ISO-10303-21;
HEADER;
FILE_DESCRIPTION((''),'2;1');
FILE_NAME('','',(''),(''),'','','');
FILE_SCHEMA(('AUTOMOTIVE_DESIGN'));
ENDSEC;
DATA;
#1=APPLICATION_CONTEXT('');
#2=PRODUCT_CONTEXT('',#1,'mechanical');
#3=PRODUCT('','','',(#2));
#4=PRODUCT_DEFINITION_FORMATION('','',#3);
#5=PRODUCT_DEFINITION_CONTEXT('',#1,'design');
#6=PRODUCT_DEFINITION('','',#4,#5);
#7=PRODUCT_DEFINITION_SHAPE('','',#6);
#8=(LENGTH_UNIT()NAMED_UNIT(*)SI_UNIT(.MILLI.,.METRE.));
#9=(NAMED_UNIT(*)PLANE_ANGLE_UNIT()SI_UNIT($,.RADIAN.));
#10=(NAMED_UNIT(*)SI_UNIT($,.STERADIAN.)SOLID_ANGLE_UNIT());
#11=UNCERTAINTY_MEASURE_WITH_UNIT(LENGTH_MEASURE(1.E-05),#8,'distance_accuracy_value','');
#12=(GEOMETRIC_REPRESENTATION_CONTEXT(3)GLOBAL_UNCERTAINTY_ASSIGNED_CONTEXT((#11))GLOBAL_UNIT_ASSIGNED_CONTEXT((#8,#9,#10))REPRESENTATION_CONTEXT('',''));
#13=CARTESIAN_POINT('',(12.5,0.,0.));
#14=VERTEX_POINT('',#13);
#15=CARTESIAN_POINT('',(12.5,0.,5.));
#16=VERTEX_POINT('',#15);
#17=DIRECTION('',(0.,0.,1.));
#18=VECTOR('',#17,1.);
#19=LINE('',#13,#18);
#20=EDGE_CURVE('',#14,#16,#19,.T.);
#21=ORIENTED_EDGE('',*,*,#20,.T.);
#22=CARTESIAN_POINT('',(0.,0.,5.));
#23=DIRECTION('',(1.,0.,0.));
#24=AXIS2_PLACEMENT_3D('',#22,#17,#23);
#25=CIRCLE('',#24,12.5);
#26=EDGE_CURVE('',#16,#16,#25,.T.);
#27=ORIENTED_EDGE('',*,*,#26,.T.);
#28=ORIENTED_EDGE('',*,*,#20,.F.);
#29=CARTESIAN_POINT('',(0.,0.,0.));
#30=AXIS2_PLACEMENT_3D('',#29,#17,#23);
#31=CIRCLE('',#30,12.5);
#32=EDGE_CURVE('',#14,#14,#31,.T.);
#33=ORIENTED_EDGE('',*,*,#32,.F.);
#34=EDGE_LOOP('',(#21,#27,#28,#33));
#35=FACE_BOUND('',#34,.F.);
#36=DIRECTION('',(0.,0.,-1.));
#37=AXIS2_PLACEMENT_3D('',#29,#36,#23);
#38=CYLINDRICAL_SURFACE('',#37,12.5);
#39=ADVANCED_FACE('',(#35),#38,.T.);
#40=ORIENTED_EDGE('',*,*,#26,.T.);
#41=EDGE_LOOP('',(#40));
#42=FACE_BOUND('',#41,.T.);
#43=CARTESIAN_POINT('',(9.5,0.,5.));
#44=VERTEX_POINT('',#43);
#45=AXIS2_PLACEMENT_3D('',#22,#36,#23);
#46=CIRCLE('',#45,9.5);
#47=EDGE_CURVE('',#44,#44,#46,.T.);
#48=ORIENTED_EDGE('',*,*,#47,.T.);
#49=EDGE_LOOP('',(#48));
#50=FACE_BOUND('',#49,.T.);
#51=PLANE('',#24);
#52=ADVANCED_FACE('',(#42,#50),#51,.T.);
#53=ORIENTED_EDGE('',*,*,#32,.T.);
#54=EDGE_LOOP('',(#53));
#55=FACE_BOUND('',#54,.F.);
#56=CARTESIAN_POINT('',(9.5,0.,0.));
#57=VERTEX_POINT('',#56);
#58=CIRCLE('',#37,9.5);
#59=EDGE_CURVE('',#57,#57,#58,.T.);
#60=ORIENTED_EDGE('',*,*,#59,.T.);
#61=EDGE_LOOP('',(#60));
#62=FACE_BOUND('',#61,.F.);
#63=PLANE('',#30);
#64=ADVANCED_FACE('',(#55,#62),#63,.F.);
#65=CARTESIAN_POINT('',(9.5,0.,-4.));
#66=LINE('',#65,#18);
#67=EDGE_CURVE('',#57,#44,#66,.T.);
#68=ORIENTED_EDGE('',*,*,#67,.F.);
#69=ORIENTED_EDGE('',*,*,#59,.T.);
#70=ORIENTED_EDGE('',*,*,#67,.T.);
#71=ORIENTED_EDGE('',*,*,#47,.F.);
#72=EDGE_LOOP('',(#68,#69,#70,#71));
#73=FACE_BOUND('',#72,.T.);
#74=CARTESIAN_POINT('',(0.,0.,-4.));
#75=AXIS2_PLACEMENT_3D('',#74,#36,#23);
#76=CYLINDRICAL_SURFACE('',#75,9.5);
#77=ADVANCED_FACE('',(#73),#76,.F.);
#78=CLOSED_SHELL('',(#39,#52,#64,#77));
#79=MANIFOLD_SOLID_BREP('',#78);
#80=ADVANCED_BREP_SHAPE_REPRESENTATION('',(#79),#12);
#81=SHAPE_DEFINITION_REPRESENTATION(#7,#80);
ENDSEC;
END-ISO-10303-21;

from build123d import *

# Parameters (mm, degrees)
CYLINDER001_R     = 9.5
CYLINDER001_DEPTH = 15
CYLINDER_R        = 12.5
CYLINDER_DEPTH    = 5


with BuildPart() as cilindro_interior:
    # Cylinder001 → Cylinder001 (new body)
    with BuildSketch(Plane.XY.offset(-4)):
        Circle(CYLINDER001_R)
    extrude(amount=CYLINDER001_DEPTH)


with BuildPart() as cuerpo_anillo:
    # Cylinder → Cylinder (new body)
    with BuildSketch(Plane.XY):
        Circle(CYLINDER_R)
    extrude(amount=CYLINDER_DEPTH)

    # Cut: cut Cilindro-interior
    add(cilindro_interior.part, mode=Mode.SUBTRACT)


solid = cuerpo_anillo.part
